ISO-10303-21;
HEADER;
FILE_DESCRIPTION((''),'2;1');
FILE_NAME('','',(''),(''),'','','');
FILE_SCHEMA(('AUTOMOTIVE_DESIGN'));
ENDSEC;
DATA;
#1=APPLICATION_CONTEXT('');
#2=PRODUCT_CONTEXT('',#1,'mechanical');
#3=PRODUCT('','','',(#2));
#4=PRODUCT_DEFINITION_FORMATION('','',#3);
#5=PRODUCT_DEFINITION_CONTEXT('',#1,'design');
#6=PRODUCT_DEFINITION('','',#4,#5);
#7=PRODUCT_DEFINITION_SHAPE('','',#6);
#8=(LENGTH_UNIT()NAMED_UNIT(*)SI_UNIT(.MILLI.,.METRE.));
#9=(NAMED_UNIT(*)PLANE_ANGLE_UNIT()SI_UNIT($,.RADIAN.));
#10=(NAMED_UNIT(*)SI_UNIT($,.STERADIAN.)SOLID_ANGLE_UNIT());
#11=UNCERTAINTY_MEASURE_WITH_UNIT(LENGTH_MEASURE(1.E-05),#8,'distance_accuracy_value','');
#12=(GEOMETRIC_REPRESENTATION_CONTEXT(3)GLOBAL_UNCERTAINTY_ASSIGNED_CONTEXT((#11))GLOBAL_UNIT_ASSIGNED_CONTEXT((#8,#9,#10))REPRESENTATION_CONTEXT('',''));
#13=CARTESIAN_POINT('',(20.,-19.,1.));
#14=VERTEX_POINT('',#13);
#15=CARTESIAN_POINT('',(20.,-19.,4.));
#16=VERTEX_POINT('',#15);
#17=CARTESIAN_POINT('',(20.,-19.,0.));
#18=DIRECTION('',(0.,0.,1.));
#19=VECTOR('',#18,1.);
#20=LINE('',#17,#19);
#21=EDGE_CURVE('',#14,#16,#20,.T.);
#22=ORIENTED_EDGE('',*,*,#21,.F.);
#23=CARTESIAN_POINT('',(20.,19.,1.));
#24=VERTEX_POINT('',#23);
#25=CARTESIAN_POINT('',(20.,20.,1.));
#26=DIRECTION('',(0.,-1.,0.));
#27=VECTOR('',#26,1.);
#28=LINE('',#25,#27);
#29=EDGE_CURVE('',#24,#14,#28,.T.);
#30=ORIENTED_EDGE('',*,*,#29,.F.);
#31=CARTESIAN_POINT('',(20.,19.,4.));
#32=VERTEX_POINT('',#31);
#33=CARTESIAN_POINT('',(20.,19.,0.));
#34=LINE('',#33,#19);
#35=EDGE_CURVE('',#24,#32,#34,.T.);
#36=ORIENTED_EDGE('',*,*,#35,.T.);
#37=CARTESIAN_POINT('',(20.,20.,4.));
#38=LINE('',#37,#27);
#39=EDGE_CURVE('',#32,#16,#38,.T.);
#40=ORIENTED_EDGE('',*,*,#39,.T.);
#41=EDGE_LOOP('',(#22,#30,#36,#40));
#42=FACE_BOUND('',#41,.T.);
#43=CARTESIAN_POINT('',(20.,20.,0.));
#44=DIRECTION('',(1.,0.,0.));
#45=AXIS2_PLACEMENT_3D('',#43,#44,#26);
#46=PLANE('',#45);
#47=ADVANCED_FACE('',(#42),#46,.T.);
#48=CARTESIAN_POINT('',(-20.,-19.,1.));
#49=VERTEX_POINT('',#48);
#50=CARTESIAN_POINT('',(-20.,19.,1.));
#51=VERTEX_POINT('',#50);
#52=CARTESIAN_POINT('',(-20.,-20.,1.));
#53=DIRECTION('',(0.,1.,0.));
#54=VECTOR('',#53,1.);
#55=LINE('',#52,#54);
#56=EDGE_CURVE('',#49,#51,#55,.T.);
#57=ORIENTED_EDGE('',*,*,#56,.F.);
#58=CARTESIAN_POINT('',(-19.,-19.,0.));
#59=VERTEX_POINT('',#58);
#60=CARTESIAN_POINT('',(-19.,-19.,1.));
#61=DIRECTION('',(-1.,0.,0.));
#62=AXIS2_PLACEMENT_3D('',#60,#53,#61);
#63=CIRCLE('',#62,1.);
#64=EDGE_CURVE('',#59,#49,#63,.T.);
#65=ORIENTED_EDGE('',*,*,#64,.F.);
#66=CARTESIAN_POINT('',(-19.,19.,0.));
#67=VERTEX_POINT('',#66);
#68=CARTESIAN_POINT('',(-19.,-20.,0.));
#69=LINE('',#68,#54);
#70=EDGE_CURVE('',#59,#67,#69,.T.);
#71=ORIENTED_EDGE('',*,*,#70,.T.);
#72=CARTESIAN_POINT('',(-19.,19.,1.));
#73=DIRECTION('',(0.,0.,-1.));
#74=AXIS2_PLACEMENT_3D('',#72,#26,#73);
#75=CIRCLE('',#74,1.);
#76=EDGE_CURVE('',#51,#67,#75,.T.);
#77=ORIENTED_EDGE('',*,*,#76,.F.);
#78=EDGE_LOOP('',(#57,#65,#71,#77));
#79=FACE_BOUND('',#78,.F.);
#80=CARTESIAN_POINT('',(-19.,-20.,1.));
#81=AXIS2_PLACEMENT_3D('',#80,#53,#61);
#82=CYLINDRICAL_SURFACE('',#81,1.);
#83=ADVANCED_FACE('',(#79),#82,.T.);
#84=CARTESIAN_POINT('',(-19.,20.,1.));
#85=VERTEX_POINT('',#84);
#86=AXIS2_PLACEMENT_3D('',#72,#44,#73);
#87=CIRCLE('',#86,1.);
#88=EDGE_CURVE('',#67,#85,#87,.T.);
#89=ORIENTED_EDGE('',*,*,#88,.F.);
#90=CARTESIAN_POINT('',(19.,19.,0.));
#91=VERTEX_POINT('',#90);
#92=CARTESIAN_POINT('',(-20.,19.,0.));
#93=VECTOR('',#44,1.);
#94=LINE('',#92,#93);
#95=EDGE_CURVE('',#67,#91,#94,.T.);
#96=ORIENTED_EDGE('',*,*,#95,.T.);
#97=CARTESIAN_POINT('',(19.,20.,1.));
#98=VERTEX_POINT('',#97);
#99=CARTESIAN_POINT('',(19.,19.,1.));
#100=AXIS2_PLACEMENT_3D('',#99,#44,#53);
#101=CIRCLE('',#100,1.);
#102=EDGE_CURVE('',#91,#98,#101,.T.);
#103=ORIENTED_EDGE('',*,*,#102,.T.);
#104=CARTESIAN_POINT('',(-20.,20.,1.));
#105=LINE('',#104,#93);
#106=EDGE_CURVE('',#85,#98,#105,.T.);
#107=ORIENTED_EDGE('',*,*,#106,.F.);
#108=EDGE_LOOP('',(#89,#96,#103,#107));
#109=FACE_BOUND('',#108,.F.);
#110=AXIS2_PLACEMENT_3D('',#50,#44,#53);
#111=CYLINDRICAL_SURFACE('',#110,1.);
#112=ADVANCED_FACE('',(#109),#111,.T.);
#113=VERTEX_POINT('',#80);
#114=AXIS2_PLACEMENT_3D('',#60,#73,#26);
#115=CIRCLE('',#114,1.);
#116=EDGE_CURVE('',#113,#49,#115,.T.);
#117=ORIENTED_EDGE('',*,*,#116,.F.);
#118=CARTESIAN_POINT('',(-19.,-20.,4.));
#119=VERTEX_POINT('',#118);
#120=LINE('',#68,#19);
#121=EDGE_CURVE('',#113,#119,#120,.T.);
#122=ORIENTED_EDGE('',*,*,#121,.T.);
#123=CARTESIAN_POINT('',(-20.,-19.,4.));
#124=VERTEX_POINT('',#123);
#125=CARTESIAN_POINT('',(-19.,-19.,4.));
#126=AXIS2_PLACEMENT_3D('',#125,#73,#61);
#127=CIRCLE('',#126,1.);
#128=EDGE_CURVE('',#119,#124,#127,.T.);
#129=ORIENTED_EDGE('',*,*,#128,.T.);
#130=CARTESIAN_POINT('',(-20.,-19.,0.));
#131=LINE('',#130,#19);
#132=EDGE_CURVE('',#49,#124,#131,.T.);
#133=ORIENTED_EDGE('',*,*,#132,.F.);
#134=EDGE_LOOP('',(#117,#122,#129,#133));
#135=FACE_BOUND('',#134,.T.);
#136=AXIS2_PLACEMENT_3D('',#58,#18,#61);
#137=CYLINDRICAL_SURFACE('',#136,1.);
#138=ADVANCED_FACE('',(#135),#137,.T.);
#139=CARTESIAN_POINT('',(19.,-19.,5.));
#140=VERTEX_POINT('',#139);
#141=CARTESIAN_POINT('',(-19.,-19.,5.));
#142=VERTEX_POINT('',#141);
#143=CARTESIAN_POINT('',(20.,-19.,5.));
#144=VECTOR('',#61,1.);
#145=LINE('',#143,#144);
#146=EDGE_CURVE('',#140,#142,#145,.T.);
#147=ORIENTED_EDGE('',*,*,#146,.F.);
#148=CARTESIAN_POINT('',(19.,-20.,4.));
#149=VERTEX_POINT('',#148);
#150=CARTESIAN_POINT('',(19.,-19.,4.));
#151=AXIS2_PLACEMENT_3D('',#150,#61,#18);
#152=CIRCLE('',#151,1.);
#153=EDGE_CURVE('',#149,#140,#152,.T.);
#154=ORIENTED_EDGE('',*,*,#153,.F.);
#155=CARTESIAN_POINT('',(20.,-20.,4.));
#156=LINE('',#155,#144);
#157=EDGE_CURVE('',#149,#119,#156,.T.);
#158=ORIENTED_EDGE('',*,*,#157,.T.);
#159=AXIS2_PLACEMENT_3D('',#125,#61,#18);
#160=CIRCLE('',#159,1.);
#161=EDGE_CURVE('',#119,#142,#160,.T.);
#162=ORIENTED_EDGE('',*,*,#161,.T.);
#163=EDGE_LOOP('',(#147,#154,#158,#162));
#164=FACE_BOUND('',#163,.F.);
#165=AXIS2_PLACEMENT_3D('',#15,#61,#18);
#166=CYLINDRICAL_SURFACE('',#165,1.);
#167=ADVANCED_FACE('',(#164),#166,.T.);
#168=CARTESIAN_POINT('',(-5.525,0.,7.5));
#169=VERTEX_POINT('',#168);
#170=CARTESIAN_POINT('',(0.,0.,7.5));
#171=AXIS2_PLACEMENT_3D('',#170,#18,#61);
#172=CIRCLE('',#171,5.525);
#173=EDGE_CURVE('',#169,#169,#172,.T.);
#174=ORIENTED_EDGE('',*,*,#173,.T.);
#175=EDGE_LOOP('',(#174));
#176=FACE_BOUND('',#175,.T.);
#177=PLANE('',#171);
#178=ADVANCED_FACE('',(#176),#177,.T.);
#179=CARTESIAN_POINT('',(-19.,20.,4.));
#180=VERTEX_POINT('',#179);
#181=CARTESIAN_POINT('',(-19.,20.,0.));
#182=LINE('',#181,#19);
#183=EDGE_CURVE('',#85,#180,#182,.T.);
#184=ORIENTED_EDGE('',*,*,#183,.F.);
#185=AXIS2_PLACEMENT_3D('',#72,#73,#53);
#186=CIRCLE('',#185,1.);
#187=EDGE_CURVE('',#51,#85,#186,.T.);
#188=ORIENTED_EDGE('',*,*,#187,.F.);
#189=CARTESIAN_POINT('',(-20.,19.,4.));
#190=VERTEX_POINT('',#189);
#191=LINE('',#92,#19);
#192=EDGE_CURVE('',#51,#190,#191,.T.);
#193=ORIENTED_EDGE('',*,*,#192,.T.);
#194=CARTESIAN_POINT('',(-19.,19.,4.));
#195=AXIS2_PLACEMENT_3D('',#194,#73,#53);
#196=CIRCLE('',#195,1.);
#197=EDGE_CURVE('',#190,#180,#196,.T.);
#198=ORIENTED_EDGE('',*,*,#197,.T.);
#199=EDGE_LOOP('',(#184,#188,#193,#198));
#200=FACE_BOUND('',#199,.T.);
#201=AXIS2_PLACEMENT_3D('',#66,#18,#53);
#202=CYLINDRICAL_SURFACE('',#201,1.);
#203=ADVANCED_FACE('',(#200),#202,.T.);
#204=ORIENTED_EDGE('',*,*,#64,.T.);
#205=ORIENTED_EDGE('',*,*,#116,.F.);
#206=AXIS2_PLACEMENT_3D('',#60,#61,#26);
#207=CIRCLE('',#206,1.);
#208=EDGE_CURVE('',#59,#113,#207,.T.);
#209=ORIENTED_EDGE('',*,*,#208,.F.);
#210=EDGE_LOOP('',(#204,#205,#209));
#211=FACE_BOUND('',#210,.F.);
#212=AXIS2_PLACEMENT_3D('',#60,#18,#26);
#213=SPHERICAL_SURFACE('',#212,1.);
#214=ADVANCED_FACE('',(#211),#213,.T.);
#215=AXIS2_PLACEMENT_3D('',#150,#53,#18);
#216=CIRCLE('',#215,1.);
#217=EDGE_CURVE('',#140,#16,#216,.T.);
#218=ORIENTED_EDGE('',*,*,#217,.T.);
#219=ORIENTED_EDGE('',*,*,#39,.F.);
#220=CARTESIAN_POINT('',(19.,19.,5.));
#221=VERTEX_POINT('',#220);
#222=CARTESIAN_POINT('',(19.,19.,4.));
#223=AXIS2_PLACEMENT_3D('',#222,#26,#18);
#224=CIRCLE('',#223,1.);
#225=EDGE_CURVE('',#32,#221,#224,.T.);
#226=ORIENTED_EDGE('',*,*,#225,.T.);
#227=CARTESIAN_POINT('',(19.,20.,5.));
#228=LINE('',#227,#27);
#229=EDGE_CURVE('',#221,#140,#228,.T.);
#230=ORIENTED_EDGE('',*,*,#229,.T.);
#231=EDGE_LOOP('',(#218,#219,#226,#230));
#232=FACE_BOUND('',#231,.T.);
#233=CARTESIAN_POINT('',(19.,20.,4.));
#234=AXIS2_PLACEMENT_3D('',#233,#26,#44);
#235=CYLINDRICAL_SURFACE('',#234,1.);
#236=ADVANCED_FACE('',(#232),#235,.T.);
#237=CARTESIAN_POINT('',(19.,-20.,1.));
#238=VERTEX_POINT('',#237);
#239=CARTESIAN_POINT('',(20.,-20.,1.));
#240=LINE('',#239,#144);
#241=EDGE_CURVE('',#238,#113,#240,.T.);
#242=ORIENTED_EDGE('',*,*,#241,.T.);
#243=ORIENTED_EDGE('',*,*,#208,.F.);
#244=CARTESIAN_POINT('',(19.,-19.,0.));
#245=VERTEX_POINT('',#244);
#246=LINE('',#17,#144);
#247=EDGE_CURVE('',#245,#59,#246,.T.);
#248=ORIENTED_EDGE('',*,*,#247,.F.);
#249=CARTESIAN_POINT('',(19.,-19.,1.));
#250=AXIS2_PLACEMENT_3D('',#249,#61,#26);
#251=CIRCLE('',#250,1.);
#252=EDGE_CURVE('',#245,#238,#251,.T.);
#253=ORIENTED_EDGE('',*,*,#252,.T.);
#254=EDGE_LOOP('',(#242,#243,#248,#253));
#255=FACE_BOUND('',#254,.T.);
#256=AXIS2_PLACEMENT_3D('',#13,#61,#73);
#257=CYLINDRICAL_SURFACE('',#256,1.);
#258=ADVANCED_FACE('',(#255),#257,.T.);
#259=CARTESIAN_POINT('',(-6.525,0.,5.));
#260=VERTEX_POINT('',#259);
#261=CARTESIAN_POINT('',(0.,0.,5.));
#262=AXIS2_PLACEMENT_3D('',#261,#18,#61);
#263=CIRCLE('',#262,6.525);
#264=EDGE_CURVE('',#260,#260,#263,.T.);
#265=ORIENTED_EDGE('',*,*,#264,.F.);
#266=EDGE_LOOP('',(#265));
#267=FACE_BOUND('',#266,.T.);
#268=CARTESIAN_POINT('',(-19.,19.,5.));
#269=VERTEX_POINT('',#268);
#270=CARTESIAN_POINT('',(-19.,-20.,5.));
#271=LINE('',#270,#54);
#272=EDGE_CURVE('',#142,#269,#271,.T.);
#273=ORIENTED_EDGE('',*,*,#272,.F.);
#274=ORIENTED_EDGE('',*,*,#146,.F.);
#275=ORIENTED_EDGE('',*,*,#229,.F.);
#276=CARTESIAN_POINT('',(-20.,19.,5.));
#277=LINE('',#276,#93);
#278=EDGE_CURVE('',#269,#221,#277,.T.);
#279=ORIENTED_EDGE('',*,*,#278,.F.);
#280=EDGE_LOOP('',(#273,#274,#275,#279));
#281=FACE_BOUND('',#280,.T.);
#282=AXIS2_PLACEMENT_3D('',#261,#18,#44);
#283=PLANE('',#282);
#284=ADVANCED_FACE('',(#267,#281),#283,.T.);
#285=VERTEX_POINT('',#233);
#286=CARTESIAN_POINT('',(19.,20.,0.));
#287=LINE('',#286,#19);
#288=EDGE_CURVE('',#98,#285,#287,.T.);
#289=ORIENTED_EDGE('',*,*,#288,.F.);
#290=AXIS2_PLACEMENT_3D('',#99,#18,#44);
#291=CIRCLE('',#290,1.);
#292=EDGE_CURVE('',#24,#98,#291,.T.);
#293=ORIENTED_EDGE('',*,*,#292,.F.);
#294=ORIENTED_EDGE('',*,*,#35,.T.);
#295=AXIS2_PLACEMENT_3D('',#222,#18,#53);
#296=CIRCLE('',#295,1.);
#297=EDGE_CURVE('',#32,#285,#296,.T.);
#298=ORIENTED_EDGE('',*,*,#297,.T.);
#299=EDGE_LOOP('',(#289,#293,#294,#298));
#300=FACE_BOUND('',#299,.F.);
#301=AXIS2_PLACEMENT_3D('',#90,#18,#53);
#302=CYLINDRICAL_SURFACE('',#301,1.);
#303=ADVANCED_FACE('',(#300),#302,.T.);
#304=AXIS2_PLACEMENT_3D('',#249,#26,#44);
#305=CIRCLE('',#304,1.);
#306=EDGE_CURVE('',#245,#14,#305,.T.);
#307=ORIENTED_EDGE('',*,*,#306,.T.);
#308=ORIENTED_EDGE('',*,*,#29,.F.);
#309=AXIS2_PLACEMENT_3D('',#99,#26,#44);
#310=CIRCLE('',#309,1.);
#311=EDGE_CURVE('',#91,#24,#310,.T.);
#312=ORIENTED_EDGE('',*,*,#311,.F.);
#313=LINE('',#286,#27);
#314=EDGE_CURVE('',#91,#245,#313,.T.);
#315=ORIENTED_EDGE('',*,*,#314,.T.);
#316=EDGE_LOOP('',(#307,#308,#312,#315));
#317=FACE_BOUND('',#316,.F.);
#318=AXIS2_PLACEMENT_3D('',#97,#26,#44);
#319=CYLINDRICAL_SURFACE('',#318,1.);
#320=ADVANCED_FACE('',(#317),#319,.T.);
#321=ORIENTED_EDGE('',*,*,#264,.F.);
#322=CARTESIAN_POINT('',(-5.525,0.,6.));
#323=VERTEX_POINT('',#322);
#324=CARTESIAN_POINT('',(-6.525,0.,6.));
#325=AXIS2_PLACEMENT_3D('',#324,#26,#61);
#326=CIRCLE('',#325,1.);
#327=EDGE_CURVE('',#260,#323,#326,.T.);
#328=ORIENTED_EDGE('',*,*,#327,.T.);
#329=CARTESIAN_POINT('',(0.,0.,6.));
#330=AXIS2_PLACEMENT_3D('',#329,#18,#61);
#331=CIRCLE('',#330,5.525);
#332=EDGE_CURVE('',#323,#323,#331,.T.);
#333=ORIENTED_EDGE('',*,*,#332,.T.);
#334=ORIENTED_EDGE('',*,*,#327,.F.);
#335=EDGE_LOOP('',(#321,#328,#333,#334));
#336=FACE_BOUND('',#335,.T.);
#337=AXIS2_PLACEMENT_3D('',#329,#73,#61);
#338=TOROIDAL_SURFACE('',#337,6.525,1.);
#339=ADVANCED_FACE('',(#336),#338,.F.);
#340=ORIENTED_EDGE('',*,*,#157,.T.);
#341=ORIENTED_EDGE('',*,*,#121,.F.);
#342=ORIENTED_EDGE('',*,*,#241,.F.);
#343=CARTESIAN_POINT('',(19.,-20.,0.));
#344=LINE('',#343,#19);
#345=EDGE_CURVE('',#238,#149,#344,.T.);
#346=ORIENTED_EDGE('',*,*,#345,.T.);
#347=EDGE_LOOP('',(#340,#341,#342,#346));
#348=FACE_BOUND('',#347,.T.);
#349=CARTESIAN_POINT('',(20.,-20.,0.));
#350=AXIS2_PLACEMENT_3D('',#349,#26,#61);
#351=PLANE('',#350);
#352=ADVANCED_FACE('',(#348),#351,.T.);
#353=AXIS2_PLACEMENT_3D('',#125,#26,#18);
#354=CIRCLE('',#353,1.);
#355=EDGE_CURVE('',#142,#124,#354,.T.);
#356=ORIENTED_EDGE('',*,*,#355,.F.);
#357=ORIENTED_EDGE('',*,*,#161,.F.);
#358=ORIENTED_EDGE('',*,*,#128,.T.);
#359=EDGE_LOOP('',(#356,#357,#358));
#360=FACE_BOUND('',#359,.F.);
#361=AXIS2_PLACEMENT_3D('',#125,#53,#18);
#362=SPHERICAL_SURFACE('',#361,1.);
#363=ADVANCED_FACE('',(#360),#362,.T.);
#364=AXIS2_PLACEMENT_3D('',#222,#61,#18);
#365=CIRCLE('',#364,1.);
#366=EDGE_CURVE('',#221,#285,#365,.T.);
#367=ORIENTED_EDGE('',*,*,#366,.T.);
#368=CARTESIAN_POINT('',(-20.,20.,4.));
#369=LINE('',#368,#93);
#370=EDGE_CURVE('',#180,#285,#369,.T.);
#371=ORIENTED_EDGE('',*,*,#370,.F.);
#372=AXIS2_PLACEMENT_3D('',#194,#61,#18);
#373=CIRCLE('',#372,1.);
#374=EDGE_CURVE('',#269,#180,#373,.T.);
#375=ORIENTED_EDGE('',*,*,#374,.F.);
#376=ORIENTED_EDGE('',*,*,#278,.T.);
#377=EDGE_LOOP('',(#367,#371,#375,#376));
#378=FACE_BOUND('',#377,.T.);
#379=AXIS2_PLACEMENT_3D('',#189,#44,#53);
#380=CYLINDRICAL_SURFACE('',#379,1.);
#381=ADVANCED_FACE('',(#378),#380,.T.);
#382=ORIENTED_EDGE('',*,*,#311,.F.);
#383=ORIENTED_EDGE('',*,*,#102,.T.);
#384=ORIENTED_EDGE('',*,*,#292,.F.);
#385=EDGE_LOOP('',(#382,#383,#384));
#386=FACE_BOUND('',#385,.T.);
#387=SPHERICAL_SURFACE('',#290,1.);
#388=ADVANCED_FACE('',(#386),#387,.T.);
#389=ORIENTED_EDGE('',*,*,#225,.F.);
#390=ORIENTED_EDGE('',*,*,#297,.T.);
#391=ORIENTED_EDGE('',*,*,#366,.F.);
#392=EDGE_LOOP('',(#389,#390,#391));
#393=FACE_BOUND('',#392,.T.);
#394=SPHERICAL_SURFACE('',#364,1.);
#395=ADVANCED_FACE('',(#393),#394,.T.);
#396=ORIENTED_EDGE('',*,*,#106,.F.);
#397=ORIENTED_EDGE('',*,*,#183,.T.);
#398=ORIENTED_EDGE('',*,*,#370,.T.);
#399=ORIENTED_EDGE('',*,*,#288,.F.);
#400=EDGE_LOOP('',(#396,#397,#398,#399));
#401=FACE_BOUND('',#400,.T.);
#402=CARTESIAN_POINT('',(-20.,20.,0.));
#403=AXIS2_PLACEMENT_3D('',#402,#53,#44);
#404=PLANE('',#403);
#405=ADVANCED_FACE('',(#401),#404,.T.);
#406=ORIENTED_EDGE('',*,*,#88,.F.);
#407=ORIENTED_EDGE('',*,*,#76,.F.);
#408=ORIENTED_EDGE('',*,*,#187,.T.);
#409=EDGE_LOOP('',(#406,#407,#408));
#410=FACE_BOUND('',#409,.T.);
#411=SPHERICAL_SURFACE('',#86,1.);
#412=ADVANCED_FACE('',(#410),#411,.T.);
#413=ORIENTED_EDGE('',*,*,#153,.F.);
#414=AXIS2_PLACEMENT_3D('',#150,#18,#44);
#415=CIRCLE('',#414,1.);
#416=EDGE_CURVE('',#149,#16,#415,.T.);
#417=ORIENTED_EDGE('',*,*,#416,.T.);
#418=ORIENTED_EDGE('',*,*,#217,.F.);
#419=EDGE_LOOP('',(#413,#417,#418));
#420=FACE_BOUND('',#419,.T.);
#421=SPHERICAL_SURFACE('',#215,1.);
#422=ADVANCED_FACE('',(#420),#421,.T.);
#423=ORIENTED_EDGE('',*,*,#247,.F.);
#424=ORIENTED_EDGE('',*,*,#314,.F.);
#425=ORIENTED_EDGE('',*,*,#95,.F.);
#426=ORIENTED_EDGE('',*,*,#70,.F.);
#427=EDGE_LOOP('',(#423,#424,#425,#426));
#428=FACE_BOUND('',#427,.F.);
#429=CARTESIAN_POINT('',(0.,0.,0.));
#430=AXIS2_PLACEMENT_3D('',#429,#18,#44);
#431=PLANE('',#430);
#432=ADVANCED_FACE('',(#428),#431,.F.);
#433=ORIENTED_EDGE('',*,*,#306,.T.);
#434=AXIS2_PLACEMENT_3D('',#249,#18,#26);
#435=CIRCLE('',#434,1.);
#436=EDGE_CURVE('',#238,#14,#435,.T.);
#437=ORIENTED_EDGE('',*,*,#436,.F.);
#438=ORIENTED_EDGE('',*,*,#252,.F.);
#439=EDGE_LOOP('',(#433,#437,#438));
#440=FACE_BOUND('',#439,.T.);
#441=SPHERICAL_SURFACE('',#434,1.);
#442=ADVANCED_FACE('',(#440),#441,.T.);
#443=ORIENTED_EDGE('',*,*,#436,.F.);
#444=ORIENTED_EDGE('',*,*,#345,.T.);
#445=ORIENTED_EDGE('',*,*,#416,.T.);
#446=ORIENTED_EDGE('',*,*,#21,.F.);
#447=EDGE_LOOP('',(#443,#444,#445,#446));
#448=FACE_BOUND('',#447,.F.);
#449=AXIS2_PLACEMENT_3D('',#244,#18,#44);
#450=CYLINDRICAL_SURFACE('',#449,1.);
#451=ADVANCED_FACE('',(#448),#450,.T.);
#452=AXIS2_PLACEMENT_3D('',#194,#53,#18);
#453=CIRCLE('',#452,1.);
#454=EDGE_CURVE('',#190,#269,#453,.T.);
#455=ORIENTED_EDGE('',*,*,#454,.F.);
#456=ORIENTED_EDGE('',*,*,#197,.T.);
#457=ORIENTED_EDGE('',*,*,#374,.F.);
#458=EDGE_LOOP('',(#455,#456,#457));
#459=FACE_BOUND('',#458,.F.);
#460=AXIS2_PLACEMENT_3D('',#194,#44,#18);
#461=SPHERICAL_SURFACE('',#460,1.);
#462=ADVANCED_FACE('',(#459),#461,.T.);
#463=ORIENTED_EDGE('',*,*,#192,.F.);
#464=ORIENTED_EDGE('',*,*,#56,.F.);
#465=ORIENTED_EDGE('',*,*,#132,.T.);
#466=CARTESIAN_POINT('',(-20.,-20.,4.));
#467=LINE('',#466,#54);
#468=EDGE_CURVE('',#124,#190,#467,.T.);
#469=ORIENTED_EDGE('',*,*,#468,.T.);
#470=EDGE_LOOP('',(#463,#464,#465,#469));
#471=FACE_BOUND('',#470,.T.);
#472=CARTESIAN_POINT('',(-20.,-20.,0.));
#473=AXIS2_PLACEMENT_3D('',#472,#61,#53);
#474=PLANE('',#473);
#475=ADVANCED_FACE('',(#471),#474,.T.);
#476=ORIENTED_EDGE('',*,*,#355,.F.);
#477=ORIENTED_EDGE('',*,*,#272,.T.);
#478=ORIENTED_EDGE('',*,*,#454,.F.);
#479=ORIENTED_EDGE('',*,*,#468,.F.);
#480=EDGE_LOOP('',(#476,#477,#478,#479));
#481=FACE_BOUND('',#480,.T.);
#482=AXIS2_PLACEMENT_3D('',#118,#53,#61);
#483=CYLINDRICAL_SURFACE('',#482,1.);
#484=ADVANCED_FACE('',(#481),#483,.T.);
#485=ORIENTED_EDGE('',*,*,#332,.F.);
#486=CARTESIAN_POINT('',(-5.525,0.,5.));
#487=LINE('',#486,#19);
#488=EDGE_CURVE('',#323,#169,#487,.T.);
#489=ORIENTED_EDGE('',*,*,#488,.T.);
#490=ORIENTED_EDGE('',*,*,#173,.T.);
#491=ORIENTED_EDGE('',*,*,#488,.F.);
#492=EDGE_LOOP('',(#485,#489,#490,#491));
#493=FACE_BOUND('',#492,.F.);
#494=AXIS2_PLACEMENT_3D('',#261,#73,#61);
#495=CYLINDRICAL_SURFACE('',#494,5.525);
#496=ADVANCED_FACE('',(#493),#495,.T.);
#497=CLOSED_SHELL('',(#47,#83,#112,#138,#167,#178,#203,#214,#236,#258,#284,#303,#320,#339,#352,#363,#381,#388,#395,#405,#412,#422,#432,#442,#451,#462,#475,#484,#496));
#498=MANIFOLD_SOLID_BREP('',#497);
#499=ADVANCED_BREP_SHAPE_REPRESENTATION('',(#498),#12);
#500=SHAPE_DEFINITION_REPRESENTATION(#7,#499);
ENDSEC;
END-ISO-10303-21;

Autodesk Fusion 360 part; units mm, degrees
sketch "base plate" plane through (0, 0, 0) normal (0, 0, 1) x (1, 0, 0)
  line L0 (-20, 20) -> (20, 20)
  line L1 (20, 20) -> (20, -20)
  line L2 (20, -20) -> (-20, -20)
  line L3 (-20, -20) -> (-20, 20)
  line L4 (-20, 20) -> (20, -20) construction
  line L5 (20, 20) -> (-20, -20) construction
  dimension "d1" = 40
  dimension "d2" = 40
extrude "Extrude1" add sketch "base plate" along normal blind 5
sketch "holder" plane through (0, 0, 5) normal (0, 0, 1) x (-1, 0, 0)
  line L0 (20, 20) -> (-20, 20)
  line L1 (-20, 20) -> (-20, -20)
  line L2 (-20, -20) -> (20, -20)
  line L3 (20, -20) -> (20, 20)
  line L4 (20, 0) -> (-20, 0) construction
  line L5 (0, -20) -> (0, 20) construction
  circle A0 centre (0, 0) radius 5.525
  dimension "d5" = 11.05
extrude "Extrude2" add sketch "holder" along normal blind 2.5 contours A0
fillet "Fillet1" radius 1 6 faces at (0.1376, -15.1699, 5) (6.6667, -20, 3.3333) (20, 6.6667, 3.3333) (-6.6667, 6.6667, 0) (-6.6667, 20, 3.3333) (-20, -6.6667, 3.3333)
